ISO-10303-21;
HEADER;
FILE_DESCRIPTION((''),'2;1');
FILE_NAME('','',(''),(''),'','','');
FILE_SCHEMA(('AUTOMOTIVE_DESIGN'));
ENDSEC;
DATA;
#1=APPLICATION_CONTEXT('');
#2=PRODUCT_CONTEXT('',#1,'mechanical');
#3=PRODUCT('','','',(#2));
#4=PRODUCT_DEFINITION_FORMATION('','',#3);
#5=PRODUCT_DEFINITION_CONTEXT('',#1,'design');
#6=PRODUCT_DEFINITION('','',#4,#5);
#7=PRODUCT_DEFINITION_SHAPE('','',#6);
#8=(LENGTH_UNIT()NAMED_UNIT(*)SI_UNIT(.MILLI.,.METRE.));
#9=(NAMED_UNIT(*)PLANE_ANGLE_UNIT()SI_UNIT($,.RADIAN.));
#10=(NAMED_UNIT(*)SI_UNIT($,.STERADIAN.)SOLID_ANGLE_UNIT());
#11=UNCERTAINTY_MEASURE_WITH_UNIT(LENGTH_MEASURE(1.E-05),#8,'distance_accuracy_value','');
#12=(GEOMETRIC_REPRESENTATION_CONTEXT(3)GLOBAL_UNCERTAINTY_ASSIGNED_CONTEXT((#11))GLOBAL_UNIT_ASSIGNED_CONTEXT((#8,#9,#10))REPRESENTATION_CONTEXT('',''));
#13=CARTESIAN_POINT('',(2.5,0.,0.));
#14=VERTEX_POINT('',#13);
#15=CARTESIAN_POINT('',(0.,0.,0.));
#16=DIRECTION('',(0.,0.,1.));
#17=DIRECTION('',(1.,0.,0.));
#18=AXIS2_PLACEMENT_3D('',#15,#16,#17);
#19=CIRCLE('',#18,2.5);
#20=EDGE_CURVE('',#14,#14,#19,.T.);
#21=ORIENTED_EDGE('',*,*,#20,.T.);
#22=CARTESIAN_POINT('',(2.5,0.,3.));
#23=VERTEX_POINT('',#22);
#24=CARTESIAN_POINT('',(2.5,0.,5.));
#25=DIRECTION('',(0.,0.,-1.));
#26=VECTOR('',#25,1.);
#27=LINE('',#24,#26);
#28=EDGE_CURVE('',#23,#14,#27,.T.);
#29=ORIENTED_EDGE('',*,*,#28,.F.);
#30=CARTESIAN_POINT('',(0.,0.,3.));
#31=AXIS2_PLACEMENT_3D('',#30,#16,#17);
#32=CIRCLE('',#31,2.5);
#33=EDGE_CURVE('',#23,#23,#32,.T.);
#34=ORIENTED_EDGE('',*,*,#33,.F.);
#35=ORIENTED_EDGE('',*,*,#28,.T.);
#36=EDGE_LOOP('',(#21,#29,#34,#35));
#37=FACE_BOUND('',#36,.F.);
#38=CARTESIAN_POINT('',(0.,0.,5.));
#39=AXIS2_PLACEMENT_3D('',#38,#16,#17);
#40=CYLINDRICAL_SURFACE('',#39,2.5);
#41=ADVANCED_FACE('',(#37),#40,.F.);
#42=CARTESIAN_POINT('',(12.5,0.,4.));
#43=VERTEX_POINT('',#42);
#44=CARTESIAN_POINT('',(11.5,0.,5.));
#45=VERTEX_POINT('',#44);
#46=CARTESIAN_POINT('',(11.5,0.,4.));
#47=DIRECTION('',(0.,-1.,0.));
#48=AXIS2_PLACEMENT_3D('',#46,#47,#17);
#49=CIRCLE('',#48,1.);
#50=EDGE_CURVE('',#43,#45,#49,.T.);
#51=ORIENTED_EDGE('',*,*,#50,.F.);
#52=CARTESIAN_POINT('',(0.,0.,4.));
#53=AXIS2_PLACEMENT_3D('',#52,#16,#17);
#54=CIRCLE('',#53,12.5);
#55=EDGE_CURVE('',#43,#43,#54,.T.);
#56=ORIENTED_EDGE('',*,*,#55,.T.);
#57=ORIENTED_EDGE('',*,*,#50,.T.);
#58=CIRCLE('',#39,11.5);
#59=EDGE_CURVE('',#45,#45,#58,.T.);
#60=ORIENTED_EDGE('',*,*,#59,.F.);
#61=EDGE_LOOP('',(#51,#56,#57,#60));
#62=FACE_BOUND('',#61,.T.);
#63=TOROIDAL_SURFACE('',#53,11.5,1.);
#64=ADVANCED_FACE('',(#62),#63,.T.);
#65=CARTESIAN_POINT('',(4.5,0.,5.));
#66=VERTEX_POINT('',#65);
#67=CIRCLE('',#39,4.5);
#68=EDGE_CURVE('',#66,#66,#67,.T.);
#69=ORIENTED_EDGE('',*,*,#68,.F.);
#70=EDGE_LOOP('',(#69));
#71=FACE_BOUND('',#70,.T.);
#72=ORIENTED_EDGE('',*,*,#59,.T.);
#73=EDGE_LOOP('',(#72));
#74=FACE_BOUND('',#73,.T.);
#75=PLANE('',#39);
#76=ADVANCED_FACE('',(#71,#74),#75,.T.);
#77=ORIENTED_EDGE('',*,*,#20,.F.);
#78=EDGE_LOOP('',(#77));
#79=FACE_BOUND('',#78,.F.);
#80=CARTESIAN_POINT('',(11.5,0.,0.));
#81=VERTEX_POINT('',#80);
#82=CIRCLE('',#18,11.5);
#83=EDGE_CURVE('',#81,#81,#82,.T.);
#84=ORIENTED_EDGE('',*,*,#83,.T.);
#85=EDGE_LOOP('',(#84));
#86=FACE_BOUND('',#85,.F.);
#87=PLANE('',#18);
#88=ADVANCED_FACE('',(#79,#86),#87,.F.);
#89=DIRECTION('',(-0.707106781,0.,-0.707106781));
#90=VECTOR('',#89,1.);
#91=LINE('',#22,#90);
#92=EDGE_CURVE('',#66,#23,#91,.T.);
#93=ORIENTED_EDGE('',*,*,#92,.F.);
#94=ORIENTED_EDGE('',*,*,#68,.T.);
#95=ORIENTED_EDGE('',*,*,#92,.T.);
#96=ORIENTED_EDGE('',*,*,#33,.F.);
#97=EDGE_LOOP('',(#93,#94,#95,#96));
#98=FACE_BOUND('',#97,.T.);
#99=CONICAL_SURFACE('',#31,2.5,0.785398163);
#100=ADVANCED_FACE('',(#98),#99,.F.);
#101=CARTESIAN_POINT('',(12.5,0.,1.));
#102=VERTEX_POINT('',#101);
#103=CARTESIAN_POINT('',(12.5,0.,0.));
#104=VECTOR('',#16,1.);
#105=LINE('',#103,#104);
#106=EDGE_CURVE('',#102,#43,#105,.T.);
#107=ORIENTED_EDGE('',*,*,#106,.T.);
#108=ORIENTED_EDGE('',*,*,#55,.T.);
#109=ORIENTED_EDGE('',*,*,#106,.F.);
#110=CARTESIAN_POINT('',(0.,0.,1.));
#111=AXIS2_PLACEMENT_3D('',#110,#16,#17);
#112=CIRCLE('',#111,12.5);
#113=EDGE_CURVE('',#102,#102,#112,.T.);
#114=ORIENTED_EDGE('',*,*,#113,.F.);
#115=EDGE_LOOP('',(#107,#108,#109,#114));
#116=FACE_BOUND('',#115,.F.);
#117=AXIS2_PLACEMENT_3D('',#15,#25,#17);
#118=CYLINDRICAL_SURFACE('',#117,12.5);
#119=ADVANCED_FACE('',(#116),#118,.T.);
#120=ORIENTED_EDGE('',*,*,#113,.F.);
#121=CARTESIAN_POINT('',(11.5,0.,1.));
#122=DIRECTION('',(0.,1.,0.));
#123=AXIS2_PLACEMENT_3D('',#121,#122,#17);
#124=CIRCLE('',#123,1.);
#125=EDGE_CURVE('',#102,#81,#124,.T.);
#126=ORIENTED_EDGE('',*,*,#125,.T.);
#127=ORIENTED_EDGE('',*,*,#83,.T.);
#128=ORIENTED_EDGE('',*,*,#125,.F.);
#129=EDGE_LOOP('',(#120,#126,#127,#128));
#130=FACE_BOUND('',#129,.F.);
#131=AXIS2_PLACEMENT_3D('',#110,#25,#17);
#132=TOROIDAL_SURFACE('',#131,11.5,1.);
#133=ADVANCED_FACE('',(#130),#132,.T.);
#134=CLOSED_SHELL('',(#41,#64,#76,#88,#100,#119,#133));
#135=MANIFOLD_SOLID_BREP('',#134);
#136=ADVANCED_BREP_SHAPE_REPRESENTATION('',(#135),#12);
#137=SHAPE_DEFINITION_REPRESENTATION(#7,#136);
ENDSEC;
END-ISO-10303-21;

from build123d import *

# Parameters (mm, degrees)
SKETCH_R     = 12.5
PAD_DEPTH    = 5
FILLET_R     = 1
SKETCH001_R  = 2.5
POCKET_DEPTH = 5
CHAMFER_SIZE = 2


with BuildPart() as part:
    # Sketch (on XY_Plane of Origin) → Pad (new body)
    with BuildSketch(Plane.XY):
        Circle(SKETCH_R)
    extrude(amount=PAD_DEPTH)

    # Fillet
    fillet_edges = [part.edges().sort_by_distance(p)[0] for p in [
        (-12.5, 0, 5),
        (-12.5, 0, 0),
    ]]
    fillet(fillet_edges, radius=FILLET_R)

    # Sketch001 (on Face5 of Fillet) → Pocket (cut)
    with BuildSketch(Plane.XY.offset(5)):
        Circle(SKETCH001_R)
    extrude(amount=-POCKET_DEPTH, mode=Mode.SUBTRACT)

    # Chamfer
    chamfer_edges = [part.edges().sort_by_distance(p)[0] for p in [
        (-2.5, 0, 5),
    ]]
    chamfer(chamfer_edges, length=CHAMFER_SIZE)


solid = part.part
